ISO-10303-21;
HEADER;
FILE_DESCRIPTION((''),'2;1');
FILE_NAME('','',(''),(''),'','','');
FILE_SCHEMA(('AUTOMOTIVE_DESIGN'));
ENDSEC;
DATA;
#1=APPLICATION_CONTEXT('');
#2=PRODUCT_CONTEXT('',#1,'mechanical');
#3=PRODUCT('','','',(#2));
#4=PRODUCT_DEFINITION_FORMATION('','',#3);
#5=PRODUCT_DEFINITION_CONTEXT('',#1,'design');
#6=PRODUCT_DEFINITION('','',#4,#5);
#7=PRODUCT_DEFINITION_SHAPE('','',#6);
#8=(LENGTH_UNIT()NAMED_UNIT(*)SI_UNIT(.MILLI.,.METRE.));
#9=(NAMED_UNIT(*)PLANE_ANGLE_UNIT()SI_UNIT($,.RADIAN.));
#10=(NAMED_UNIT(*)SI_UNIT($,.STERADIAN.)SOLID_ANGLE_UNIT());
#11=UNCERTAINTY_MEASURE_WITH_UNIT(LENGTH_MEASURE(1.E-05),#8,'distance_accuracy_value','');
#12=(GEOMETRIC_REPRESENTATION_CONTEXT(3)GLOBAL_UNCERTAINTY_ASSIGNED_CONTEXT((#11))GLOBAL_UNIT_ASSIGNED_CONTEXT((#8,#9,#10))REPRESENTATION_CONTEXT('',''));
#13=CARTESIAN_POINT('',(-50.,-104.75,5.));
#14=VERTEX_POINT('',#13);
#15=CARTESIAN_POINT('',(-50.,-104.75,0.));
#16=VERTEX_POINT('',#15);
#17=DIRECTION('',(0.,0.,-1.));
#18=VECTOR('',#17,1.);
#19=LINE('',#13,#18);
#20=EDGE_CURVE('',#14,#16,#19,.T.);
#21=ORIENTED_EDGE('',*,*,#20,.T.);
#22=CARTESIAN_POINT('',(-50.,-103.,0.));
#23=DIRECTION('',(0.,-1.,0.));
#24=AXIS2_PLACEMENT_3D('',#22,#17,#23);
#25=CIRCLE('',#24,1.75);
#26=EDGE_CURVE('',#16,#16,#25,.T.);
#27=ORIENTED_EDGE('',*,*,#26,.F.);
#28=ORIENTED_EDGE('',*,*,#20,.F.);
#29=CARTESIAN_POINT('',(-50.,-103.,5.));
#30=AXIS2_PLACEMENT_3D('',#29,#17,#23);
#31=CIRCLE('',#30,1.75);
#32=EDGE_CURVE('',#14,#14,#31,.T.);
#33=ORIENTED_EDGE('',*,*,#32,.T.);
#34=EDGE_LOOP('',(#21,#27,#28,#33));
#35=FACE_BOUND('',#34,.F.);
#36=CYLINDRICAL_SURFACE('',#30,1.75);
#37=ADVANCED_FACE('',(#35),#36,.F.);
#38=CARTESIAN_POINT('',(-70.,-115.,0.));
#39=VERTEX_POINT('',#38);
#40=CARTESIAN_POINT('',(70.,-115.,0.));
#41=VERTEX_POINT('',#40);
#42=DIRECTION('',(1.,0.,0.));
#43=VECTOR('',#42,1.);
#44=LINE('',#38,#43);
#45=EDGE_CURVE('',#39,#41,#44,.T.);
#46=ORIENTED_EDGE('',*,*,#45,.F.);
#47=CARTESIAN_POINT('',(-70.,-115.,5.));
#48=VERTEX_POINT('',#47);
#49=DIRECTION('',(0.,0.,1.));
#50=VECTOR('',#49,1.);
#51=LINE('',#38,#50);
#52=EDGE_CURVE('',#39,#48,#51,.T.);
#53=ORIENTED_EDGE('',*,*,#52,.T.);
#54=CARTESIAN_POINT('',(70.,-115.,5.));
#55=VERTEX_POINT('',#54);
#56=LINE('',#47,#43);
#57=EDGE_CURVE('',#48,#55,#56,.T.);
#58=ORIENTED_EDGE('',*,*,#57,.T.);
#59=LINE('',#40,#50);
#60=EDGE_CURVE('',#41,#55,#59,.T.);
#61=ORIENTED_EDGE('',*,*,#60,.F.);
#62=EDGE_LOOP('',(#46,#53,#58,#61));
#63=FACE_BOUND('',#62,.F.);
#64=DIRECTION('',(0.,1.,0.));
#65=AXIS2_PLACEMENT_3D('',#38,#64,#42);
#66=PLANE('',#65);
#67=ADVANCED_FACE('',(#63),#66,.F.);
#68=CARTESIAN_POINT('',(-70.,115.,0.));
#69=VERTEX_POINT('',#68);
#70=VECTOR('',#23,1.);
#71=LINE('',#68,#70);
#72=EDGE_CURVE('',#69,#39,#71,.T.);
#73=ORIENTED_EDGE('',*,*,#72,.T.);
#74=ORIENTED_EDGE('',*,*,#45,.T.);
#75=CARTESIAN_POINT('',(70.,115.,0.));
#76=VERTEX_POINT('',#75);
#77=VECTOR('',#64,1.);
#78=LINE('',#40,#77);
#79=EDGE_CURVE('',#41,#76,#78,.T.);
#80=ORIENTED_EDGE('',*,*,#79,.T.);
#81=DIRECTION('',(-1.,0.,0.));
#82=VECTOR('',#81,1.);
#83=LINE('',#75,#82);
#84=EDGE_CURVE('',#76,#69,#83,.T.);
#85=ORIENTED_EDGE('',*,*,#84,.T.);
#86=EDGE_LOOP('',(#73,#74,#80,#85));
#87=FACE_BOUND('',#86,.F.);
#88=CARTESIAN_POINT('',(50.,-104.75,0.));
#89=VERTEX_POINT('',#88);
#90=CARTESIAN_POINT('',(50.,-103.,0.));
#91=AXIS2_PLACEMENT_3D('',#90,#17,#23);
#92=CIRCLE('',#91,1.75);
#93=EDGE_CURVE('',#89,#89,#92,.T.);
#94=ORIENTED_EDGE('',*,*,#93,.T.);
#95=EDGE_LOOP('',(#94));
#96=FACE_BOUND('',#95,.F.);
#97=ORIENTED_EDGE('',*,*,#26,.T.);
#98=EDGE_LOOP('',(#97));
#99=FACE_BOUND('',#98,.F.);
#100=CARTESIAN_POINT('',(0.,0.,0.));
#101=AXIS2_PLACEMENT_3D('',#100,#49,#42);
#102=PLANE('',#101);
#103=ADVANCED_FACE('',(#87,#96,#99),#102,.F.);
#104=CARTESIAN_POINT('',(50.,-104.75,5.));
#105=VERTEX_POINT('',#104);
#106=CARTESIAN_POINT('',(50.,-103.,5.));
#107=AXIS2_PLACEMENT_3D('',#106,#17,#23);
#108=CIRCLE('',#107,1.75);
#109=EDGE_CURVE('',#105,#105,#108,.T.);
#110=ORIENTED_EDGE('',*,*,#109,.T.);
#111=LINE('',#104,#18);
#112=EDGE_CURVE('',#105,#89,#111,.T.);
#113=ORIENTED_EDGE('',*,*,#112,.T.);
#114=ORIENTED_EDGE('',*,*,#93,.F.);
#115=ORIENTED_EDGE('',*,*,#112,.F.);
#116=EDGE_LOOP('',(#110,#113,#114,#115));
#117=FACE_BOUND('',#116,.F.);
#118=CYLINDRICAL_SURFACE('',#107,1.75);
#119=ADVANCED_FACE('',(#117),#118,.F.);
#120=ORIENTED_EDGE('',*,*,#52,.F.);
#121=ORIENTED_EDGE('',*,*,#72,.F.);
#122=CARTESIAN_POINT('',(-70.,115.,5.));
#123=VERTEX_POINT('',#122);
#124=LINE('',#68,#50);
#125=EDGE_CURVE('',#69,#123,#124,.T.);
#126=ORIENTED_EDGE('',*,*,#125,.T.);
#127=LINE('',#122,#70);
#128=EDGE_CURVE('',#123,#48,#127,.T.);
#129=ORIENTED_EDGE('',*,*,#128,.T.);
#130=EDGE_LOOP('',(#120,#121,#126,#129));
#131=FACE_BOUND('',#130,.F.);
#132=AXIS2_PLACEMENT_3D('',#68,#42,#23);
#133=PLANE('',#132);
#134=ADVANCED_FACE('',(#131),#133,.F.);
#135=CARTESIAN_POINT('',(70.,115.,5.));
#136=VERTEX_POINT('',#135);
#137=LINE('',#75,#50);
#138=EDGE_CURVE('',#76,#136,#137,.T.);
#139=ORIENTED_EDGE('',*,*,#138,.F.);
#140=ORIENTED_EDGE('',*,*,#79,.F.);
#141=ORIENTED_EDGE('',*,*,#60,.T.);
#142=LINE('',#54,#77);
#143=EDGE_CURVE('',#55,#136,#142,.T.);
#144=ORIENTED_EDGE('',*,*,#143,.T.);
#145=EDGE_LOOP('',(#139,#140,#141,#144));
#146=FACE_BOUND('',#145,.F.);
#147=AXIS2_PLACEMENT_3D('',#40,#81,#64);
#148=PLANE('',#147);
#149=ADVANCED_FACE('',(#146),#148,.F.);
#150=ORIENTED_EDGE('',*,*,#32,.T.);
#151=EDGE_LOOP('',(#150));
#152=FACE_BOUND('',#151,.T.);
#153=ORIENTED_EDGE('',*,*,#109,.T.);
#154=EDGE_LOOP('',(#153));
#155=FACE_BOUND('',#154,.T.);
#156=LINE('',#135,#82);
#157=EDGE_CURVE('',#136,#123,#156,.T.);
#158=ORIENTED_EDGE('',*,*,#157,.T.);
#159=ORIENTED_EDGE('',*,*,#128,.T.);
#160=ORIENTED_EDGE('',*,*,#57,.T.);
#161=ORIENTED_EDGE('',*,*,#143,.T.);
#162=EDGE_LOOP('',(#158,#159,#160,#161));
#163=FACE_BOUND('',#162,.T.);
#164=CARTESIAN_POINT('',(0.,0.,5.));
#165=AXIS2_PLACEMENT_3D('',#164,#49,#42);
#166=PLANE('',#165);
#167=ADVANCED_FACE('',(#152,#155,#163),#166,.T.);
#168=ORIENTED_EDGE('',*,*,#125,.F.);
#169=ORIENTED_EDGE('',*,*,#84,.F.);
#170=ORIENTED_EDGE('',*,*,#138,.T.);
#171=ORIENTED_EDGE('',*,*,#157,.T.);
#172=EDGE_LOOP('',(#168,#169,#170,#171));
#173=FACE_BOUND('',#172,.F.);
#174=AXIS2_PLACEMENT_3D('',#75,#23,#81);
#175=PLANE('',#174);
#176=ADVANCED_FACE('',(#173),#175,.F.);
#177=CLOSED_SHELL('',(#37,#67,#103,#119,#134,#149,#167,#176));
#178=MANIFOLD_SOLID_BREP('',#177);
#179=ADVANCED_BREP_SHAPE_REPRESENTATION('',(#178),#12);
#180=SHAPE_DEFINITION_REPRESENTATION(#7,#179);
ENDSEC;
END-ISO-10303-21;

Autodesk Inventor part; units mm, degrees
ref_plane "YZ Plane" through (0, 0, 0) normal (1, 0, 0) x (0, 1, 0)
ref_plane "XZ Plane" through (0, 0, 0) normal (0, 1, 0) x (-1, 0, 0)
ref_plane "XY Plane" through (0, 0, 0) normal (0, 0, 1) x (1, 0, 0)
sketch "Sketch1" plane through (0, 0, 0) normal (0, 0, 1) x (1, 0, 0)
  line L0 (-70, -115) -> (70, -115)
  line L1 (70, -115) -> (70, 115)
  line L2 (70, 115) -> (-70, 115)
  line L3 (-70, 115) -> (-70, -115)
  point P0 (0, 0)
  dimension "width" = 140
  dimension "d1" = 70
  dimension "d2" = 230
  dimension "d3" = 115
extrude "Extrusion1" add sketch "Sketch1" along normal blind 5
sketch "Sketch3" plane through (0, 0, 5) normal (0, 0, 1) x (1, 0, 0)
  line L0 (-70, 115) -> (-70, -115) projected
  line L1 (-70, -115) -> (70, -115) projected
  point P0 (0, 0)
  point P1 (-50, -103)
  point P2 (50, -103)
  dimension "d33" = 20
  dimension "d34" = 12
  dimension "d35" = 12
  dimension "d36" = 20
hole "Hole1" at (-50, -103, 5) at (50, -103, 5) direction (0, 0, -1) diameter 3.5 end through all
equation "\"d1\" = 0.5 * width"
equation "\"d3\" = 0.5 * d2"
equation "\"d35\" = d34"
equation "\"d36\" = d33"
properties part number "EBF_005.1-bottom-plate_cup-holder"
